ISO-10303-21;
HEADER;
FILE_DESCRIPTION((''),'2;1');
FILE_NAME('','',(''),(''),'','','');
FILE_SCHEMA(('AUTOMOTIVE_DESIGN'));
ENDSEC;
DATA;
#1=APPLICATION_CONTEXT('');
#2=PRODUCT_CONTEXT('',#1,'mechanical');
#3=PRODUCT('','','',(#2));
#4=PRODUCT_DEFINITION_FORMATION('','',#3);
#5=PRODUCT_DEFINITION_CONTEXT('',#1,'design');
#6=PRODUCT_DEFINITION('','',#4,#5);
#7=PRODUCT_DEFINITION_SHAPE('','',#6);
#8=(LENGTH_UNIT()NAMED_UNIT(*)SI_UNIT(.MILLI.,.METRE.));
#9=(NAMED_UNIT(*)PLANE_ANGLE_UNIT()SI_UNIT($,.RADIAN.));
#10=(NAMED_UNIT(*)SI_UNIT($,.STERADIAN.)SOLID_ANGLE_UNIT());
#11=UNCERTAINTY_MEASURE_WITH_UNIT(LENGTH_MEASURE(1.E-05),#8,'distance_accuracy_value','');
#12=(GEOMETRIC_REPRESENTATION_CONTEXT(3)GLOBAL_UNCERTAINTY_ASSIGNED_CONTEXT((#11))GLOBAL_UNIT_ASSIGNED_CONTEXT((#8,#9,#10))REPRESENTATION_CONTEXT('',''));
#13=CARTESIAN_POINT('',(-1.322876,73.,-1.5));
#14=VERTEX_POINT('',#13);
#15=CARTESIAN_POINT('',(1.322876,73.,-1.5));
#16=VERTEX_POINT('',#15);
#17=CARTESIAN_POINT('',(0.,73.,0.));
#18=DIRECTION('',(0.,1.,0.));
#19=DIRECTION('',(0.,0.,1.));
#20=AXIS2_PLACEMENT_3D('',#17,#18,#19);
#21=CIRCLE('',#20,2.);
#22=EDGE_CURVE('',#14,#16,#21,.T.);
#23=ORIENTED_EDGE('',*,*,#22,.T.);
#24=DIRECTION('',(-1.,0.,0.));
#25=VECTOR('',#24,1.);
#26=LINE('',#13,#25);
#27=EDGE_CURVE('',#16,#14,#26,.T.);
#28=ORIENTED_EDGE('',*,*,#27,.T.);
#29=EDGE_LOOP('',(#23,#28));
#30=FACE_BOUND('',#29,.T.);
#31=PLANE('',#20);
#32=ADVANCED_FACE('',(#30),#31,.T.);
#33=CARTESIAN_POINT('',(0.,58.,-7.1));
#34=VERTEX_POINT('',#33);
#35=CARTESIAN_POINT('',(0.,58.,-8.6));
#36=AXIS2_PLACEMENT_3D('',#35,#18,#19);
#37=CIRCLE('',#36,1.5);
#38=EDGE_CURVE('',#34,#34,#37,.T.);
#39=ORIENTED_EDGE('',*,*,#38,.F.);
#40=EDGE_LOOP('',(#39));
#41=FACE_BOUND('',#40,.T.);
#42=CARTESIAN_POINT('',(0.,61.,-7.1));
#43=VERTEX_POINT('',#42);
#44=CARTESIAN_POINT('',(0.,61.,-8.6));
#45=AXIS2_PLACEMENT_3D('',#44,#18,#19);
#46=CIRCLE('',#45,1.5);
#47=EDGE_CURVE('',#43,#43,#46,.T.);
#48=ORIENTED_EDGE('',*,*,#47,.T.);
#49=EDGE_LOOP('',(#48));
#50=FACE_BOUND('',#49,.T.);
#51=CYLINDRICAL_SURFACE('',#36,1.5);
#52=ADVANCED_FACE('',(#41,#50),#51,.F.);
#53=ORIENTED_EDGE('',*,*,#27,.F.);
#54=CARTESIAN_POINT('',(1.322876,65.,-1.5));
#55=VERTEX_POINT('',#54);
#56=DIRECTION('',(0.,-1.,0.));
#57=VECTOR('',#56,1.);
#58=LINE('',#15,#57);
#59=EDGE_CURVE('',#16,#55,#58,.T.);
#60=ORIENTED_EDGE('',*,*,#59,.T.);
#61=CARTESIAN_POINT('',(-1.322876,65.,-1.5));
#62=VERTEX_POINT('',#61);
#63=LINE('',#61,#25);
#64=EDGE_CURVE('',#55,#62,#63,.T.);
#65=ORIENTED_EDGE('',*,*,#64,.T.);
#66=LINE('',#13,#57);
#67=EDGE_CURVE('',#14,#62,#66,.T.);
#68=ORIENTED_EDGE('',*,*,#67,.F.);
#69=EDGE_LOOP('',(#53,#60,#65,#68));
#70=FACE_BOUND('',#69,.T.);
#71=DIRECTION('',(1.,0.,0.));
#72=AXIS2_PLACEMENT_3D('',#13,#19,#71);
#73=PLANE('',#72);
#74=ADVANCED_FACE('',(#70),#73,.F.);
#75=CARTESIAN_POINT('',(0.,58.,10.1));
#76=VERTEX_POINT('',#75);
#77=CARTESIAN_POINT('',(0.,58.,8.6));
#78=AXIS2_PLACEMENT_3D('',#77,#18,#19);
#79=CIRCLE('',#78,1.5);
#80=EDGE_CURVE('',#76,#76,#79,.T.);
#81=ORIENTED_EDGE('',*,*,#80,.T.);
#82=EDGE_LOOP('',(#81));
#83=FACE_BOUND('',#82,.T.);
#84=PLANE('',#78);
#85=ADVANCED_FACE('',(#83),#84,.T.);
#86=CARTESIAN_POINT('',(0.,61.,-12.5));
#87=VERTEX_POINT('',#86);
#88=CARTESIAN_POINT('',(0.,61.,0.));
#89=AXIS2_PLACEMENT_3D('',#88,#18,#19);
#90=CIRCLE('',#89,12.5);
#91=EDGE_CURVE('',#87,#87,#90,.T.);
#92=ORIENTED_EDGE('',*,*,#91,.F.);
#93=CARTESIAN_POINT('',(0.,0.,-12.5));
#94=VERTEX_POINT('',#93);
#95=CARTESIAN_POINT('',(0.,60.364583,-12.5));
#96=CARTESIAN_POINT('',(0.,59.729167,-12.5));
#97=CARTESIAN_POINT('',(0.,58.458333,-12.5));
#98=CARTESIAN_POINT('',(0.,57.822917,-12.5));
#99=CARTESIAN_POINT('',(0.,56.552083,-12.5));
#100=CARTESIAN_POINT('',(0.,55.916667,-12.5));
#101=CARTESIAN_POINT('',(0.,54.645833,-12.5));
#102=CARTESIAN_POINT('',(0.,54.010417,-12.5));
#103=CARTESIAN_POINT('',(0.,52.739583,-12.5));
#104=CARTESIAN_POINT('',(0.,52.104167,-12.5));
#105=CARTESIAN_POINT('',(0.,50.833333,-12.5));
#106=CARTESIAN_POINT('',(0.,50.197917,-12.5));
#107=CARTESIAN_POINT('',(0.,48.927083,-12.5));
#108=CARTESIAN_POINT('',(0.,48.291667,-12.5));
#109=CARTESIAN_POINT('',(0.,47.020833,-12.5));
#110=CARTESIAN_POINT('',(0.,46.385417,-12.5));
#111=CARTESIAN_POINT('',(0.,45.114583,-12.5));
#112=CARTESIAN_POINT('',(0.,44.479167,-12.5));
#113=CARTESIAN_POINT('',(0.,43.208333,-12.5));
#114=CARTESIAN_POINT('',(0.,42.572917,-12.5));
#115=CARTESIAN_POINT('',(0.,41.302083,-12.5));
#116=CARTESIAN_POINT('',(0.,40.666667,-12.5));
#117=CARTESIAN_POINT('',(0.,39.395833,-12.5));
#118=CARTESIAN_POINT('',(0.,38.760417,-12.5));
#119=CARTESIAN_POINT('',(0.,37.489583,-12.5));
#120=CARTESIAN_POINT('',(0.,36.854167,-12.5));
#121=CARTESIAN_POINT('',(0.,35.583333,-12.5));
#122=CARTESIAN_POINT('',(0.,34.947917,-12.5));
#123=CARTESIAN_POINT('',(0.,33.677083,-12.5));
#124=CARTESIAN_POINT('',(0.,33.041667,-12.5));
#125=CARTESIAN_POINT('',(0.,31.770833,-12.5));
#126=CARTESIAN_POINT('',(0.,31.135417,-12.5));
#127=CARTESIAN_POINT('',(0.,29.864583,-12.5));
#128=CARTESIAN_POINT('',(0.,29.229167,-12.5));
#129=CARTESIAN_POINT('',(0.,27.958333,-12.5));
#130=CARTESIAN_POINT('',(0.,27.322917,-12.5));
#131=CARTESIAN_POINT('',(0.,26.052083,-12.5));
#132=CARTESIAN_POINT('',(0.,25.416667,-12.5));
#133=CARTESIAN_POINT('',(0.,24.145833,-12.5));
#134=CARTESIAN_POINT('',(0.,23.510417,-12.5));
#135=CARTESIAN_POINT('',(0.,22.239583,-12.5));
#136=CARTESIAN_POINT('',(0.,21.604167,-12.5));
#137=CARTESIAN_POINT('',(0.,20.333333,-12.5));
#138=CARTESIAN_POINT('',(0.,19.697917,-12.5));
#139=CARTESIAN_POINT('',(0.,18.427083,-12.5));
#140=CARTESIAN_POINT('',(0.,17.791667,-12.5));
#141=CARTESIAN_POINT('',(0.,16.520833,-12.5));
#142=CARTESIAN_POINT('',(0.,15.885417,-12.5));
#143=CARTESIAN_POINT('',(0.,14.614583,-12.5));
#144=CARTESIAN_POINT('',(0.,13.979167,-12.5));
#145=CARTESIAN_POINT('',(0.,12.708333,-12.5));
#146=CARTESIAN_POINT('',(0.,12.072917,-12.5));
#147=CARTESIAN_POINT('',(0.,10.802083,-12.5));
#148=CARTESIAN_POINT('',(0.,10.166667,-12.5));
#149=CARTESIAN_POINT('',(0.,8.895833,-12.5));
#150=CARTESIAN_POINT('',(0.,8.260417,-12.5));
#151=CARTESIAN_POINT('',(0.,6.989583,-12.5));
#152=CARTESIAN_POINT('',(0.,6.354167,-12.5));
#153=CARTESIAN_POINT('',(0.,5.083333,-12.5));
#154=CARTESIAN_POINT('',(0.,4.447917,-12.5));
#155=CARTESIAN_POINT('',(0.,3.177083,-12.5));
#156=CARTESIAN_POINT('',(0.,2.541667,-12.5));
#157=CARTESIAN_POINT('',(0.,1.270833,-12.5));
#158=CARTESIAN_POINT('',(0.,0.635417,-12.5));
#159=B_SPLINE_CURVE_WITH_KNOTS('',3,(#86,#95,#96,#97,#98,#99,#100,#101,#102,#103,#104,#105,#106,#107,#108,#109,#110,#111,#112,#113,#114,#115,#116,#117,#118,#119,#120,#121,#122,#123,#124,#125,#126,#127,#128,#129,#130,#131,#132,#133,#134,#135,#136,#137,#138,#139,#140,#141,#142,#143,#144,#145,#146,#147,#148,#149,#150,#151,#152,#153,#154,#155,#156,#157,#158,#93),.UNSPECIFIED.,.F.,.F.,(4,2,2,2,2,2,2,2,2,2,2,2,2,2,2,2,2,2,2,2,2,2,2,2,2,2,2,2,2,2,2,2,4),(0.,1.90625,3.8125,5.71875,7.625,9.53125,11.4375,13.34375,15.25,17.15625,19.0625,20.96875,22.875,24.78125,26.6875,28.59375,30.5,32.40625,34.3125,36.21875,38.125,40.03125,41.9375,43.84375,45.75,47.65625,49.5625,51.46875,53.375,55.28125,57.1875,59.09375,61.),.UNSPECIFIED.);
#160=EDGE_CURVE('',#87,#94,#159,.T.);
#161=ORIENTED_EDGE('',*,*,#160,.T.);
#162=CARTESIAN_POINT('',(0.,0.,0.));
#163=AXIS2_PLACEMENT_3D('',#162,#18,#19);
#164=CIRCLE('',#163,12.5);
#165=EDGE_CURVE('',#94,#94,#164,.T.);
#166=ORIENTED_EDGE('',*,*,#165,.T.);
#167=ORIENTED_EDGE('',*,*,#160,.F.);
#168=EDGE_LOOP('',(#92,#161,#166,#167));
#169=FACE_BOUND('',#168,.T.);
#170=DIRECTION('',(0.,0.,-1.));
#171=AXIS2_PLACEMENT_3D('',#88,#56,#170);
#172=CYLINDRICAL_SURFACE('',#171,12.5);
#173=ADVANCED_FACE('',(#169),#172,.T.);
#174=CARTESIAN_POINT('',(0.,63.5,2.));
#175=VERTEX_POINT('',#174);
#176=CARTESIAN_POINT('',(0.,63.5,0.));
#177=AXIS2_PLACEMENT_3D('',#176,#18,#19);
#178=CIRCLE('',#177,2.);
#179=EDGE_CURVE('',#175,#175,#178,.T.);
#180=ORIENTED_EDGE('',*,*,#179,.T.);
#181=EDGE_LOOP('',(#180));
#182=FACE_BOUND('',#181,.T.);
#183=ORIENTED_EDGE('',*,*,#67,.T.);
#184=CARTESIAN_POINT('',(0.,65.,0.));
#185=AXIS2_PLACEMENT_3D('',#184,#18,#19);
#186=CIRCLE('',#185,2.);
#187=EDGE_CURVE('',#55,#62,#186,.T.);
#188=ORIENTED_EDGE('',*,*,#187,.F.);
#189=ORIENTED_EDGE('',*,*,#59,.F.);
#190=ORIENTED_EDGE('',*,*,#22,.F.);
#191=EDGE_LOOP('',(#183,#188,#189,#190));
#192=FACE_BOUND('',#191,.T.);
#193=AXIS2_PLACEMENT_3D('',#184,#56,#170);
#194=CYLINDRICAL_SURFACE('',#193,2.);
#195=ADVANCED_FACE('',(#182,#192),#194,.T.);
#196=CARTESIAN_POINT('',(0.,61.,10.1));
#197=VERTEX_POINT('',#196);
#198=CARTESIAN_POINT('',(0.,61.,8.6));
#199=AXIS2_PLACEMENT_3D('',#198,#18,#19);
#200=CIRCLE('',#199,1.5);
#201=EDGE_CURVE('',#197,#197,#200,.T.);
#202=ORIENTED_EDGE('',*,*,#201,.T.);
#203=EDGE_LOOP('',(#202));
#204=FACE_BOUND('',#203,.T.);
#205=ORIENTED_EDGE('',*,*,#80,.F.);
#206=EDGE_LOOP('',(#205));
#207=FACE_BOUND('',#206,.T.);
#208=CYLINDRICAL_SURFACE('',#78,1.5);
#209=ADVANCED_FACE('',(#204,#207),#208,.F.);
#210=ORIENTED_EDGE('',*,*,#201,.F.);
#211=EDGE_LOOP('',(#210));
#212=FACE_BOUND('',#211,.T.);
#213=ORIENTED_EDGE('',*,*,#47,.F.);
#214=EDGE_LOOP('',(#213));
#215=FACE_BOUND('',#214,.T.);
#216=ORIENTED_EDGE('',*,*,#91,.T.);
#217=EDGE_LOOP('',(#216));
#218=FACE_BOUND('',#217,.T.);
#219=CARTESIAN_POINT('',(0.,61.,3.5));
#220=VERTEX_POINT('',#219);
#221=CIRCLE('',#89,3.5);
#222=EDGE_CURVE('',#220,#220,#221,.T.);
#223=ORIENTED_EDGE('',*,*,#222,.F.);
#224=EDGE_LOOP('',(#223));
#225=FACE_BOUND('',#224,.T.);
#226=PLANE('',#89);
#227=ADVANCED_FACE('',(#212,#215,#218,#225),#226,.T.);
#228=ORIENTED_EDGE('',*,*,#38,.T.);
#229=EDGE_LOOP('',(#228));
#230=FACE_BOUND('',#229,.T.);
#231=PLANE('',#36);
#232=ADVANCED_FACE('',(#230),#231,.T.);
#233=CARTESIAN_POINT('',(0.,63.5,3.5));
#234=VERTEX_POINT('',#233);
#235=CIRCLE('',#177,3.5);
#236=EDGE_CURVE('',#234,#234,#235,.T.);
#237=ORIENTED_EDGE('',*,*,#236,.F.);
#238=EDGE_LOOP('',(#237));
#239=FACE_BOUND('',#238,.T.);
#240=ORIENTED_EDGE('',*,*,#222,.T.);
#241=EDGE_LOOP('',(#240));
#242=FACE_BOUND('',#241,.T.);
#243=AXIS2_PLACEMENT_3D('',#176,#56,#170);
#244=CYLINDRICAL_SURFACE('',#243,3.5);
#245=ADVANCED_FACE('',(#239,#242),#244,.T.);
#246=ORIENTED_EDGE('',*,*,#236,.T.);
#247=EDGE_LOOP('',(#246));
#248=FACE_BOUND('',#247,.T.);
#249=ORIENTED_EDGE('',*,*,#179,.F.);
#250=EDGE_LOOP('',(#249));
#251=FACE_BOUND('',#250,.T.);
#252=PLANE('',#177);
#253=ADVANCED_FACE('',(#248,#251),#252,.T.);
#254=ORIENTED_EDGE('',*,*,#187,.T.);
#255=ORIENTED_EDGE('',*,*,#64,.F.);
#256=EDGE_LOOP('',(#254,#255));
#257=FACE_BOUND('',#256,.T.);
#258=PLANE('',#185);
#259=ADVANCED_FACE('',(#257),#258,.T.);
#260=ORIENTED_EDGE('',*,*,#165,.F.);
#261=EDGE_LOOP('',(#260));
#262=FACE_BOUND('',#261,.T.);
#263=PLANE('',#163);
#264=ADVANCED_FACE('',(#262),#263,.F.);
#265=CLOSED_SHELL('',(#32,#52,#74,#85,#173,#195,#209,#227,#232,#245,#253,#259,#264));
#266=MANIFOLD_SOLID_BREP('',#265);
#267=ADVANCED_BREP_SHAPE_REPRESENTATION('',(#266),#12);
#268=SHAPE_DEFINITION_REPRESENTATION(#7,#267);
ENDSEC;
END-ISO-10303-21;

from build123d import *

# Parameters (mm, degrees)
SKETCH1_R           = 12.5
BOSS_EXTRUDE1_DEPTH = 61
SKETCH2_R           = 3.5
BOSS_EXTRUDE2_DEPTH = 2.5
SKETCH3_R           = 2
BOSS_EXTRUDE3_DEPTH = 1.5
BOSS_EXTRUDE4_DEPTH = 8
SKETCH5_R           = 1.5
CUT_EXTRUDE1_DEPTH  = 3


with BuildPart() as part:
    # Sketch1 → Boss-Extrude1 (new body)
    with BuildSketch(Plane(origin=(0, 0, 0), x_dir=(1, 0, 0), z_dir=(0, 1, 0))):
        with Locations(Location((0, 0, 0), (0, 0, 90))):
            Circle(SKETCH1_R)
    extrude(amount=BOSS_EXTRUDE1_DEPTH)

    # Sketch2 → Boss-Extrude2 (add)
    with BuildSketch(Plane(origin=(0, 61, 0), x_dir=(1, 0, 0), z_dir=(0, 1, 0))):
        with Locations(Location((0, 0, 0), (0, 0, 270))):
            Circle(SKETCH2_R)
    extrude(amount=BOSS_EXTRUDE2_DEPTH)

    # Sketch3 → Boss-Extrude3 (add)
    with BuildSketch(Plane(origin=(0, 63.5, 0), x_dir=(1, 0, 0), z_dir=(0, 1, 0))):
        with Locations(Location((0, 0, 0), (0, 0, 270))):
            Circle(SKETCH3_R)
    extrude(amount=BOSS_EXTRUDE3_DEPTH)

    # Sketch4 → Boss-Extrude4 (add)
    with BuildSketch(Plane(origin=(0, 65, 0), x_dir=(1, 0, 0), z_dir=(0, 1, 0))):
        with BuildLine():
            Line((-1.322876, 1.5), (1.322876, 1.5))
            ThreePointArc((1.322876, 1.5), (0, -2), (-1.322876, 1.5))
        make_face()
    extrude(amount=BOSS_EXTRUDE4_DEPTH)

    # Sketch5 → Cut-Extrude1 (cut)
    with BuildSketch(Plane(origin=(0, 61, 0), x_dir=(1, 0, 0), z_dir=(0, 1, 0))):
        with Locations(Location((0, 8.6, 0), (0, 0, 270))):
            Circle(SKETCH5_R)
        with Locations(Location((0, -8.6, 0), (0, 0, 270))):
            Circle(SKETCH5_R)
    extrude(amount=-CUT_EXTRUDE1_DEPTH, mode=Mode.SUBTRACT)


solid = part.part
